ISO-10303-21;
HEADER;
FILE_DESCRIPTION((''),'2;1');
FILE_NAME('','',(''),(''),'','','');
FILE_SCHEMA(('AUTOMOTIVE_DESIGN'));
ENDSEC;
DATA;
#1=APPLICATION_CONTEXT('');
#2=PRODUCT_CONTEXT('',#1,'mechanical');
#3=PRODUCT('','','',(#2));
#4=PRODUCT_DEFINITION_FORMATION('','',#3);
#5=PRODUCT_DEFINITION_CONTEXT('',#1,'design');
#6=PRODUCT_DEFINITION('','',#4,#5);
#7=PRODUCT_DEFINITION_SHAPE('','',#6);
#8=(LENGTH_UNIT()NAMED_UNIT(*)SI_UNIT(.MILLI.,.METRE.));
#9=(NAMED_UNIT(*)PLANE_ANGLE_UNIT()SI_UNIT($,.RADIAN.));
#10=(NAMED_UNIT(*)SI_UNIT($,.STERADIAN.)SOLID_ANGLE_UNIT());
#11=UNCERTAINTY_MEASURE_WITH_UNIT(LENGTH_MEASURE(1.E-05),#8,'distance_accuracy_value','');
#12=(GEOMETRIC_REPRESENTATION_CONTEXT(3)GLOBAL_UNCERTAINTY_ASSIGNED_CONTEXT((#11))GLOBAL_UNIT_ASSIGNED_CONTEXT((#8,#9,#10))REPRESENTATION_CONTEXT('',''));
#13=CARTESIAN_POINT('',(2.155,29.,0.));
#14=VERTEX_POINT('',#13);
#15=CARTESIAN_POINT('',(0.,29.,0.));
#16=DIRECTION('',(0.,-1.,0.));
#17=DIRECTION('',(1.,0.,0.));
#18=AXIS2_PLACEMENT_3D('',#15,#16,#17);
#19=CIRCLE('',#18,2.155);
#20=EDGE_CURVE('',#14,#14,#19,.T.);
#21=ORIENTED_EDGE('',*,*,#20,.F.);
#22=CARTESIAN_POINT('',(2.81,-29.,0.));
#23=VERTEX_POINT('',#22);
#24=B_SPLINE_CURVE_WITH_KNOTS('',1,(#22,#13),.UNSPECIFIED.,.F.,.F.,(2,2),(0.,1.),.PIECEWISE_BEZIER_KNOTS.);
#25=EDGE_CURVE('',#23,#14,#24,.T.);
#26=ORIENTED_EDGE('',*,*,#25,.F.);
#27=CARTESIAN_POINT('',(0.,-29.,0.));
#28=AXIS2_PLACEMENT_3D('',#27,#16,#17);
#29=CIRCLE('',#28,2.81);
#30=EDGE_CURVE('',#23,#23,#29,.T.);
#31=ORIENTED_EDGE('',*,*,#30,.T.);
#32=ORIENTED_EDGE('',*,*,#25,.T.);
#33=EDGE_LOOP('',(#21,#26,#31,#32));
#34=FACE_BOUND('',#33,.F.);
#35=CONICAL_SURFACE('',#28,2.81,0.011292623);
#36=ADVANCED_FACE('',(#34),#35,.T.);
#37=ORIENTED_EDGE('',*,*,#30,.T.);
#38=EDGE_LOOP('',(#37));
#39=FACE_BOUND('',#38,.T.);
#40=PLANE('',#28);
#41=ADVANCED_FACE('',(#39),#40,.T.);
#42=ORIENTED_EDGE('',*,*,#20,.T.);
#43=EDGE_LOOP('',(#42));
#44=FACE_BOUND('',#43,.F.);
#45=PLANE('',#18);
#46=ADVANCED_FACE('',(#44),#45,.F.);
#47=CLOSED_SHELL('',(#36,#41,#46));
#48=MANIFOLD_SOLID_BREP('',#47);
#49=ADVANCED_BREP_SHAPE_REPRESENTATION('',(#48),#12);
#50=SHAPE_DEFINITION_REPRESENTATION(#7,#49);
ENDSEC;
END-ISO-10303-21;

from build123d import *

# Parameters (mm, degrees)
F1_R = 2.81
F3_R = 2.155


with BuildPart() as f4:
    # F1 (on offset) → F4 section 0
    with BuildSketch(Plane.XZ.offset(29)):
        Circle(F1_R)
    # F3 (on offset) → F4 section 1
    with BuildSketch(Plane.XZ.offset(-29)):
        Circle(F3_R)
    loft()


solid = f4.part
